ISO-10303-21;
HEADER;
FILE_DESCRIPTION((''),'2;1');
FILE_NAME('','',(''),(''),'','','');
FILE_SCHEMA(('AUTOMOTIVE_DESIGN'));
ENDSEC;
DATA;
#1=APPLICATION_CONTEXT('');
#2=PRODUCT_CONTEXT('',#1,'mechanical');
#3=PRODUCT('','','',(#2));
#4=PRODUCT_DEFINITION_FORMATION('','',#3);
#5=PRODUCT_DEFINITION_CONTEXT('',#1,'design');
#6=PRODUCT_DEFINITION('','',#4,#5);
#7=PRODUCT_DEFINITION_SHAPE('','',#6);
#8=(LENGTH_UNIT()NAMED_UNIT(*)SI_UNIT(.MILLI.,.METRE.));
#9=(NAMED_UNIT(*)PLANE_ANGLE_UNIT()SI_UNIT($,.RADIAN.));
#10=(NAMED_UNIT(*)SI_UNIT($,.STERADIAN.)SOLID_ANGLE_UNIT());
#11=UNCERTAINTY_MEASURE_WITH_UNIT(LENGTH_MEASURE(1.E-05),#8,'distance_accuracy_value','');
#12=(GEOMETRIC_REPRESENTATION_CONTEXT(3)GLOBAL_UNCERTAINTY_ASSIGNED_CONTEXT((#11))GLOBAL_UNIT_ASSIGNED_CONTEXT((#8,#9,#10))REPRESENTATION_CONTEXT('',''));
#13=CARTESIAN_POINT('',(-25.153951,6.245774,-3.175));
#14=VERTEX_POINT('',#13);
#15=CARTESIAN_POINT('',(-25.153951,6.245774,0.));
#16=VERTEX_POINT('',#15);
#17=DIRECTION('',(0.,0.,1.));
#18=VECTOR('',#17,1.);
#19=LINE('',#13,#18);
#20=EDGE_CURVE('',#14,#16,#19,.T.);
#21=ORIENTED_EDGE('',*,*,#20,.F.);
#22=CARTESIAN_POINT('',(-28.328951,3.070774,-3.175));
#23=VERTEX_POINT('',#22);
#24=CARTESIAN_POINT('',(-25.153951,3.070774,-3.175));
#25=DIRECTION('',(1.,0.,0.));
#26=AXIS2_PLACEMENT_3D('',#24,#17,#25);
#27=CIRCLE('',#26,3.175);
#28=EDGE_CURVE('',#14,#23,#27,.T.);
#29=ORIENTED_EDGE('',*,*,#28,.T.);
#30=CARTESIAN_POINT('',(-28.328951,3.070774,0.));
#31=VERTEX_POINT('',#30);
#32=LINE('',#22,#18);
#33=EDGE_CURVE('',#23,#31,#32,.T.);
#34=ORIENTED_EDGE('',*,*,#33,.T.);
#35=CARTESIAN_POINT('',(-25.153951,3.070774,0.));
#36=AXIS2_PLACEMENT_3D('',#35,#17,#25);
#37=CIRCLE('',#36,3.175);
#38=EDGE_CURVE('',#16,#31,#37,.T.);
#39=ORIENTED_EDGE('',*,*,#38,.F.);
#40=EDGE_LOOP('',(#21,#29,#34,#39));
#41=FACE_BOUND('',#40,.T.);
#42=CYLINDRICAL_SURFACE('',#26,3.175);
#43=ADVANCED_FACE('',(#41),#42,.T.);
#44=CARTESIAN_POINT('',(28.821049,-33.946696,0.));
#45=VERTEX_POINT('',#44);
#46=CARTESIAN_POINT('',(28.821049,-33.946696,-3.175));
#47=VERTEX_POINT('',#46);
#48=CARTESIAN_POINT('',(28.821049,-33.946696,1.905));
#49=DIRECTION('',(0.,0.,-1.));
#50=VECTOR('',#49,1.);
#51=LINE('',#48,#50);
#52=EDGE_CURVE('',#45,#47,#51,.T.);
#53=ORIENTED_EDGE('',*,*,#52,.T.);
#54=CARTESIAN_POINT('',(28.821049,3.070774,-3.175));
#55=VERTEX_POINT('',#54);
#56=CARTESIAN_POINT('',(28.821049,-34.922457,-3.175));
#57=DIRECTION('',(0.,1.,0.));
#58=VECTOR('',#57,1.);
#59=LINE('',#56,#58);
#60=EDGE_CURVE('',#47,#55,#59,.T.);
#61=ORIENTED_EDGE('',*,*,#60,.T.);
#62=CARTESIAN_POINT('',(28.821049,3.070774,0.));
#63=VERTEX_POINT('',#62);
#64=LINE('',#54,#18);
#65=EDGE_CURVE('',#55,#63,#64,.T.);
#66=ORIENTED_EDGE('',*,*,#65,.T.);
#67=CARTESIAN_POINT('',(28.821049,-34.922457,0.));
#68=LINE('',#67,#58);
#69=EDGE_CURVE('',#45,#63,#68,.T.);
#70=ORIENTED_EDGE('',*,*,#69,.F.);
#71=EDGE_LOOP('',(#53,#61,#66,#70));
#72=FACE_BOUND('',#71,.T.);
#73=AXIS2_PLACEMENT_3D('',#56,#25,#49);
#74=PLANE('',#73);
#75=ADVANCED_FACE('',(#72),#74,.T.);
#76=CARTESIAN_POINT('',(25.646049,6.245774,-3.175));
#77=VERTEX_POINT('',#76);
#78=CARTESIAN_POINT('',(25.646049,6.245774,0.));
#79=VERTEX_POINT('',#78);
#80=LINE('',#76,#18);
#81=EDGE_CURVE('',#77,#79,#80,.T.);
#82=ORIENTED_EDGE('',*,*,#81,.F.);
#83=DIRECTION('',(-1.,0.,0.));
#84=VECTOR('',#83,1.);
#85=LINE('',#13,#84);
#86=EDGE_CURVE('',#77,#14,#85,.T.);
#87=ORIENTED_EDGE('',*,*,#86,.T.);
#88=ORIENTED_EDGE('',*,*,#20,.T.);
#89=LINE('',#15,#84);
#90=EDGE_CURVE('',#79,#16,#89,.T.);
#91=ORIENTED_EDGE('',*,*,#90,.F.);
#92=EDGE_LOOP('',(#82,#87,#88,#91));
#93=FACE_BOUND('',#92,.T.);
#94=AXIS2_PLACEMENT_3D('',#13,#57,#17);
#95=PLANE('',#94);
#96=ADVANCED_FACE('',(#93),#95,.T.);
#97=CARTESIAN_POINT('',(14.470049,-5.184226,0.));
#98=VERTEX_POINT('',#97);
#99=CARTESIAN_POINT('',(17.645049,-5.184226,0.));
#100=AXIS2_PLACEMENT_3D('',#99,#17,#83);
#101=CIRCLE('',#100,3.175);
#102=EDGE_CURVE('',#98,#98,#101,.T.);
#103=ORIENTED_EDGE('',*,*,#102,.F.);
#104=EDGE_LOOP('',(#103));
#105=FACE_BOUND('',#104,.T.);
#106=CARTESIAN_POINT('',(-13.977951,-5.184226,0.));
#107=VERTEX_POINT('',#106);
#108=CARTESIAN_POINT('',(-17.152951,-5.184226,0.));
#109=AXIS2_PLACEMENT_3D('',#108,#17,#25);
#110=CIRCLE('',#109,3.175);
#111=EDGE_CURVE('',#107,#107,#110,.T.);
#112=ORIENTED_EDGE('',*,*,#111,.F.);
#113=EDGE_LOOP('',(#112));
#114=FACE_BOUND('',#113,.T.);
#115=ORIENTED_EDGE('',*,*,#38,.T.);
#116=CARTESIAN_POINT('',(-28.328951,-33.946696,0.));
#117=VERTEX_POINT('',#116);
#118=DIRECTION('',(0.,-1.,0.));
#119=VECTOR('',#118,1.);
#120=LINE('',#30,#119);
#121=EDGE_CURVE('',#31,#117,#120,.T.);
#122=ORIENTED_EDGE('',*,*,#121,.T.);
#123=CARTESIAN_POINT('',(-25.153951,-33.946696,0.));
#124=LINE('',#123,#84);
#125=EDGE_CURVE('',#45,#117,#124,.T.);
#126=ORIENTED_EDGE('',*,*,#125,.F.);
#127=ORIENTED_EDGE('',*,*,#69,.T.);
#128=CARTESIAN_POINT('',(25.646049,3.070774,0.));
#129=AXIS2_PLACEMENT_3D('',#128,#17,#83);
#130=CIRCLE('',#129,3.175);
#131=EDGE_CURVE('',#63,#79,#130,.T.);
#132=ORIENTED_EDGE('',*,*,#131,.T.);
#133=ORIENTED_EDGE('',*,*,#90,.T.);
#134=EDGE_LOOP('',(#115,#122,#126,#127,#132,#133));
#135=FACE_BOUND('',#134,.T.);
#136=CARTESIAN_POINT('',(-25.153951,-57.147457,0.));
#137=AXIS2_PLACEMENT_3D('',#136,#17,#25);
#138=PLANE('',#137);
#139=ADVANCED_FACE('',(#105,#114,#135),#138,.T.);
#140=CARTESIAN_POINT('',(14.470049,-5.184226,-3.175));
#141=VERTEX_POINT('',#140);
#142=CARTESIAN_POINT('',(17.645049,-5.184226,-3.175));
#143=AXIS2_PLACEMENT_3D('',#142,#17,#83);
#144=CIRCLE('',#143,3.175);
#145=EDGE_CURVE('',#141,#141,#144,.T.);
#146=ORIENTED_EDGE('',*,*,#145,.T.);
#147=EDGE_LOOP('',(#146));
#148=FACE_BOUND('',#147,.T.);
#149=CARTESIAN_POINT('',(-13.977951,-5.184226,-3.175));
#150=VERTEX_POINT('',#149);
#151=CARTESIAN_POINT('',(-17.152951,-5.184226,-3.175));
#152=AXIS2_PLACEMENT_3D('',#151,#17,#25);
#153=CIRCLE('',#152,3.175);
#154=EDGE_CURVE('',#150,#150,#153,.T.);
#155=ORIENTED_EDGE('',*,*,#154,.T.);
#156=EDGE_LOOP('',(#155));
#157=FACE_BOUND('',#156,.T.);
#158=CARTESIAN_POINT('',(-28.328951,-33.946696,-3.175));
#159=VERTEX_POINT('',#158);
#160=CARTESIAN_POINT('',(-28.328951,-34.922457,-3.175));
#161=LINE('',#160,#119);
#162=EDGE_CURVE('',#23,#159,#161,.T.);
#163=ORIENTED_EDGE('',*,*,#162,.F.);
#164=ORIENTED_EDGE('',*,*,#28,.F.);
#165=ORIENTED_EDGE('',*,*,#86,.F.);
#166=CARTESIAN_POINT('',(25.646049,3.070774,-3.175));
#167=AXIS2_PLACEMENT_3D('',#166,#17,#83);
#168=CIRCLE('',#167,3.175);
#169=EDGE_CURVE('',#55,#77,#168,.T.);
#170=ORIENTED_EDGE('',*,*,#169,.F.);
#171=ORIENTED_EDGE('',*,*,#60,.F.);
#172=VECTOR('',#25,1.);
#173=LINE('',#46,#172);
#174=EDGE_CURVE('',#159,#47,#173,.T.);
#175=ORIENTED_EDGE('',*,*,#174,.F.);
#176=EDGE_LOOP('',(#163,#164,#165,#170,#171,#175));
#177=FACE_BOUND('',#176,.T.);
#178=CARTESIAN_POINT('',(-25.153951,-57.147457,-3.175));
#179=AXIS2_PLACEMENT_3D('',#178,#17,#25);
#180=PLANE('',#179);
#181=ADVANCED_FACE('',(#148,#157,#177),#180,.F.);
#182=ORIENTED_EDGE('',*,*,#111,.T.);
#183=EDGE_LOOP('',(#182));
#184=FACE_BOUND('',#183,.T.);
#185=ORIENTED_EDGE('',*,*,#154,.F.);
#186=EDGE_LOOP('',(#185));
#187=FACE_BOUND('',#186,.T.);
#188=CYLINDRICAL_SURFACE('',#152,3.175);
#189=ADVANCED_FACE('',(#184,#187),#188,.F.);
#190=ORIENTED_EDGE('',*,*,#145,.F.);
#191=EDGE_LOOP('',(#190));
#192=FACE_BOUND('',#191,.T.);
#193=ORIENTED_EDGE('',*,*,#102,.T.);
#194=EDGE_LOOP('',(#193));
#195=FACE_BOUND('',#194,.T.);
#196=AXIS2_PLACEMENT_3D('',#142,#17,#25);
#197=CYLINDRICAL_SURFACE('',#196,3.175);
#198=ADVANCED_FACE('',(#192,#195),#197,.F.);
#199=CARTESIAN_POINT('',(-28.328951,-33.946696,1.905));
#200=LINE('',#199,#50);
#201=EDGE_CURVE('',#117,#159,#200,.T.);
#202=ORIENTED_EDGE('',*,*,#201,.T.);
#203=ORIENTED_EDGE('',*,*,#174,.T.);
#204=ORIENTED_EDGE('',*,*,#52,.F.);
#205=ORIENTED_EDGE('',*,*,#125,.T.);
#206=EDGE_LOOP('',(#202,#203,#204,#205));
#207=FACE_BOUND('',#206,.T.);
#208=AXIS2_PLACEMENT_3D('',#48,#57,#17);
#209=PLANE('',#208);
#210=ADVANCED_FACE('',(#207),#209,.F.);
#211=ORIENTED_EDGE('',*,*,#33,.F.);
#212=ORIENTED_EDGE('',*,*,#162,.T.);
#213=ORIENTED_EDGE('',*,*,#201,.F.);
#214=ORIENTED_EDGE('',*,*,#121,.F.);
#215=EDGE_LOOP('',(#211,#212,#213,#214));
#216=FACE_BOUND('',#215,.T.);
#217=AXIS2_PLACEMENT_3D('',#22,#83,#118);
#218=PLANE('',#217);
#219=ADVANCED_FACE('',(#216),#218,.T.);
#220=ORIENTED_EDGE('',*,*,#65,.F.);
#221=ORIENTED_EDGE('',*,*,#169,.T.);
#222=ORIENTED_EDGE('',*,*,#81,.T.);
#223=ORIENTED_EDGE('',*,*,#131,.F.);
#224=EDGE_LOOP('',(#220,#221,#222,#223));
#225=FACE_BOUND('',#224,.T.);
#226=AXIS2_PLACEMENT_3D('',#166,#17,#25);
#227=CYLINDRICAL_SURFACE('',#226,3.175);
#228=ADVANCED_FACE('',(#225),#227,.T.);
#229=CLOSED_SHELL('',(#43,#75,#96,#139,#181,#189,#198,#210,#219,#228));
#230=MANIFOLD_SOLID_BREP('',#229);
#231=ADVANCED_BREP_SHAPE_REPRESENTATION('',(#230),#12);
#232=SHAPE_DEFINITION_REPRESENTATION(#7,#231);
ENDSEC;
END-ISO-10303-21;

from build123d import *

# Parameters (mm, degrees)
BOSS_EXTRUDE1_DEPTH = 3.175
SKETCH2_R           = 3.175
CUT_EXTRUDE1_DEPTH  = 67.929307933
SKETCH3_W           = 57.15
SKETCH3_H           = 29.175717927
CUT_EXTRUDE2_DEPTH  = 5.08


with BuildPart() as part:
    # Sketch1 → Boss-Extrude1 (new body)
    with BuildSketch(Plane.XY):
        with BuildLine():
            Line((-28.328951223, 3.070773738), (-28.328951223, -34.922456704))
            Line((-28.328951223, -34.922456704), (-28.328951223, -57.147456704))
            ThreePointArc((-28.328951223, -57.147456704), (-27.399015253, -59.392520734), (-25.153951223, -60.322456704))
            Line((-25.153951223, -60.322456704), (25.646048777, -60.322456704))
            ThreePointArc((25.646048777, -60.322456704), (27.891112807, -59.392520734), (28.821048777, -57.147456704))
            Line((28.821048777, -57.147456704), (28.821048777, -34.922456704))
            Line((28.821048777, -34.922456704), (28.821048777, 3.070773738))
            ThreePointArc((28.821048777, 3.070773738), (27.891112807, 5.315837768), (25.646048777, 6.245773738))
            Line((25.646048777, 6.245773738), (-25.153951223, 6.245773738))
            ThreePointArc((-25.153951223, 6.245773738), (-27.399015253, 5.315837768), (-28.328951223, 3.070773738))
        make_face()
    extrude(amount=-BOSS_EXTRUDE1_DEPTH)

    # Sketch2 → Cut-Extrude1 (cut, through all)
    with BuildSketch(Plane.XY):
        with Locations((-17.152951223, -5.184226262)):
            Circle(SKETCH2_R)
        with Locations(Location((17.645048777, -5.184226262, 0), (0, 0, 180))):
            Circle(SKETCH2_R)
    extrude(amount=-CUT_EXTRUDE1_DEPTH, mode=Mode.SUBTRACT)

    # Sketch3 → Cut-Extrude2 (cut)
    with BuildSketch(Plane(origin=(0, 0, -3.175), x_dir=(-1, 0, 0), z_dir=(0, 0, -1))):
        with Locations((-0.246048777, -48.534555274)):
            Rectangle(SKETCH3_W, SKETCH3_H)
    extrude(amount=-CUT_EXTRUDE2_DEPTH, mode=Mode.SUBTRACT)


solid = part.part
